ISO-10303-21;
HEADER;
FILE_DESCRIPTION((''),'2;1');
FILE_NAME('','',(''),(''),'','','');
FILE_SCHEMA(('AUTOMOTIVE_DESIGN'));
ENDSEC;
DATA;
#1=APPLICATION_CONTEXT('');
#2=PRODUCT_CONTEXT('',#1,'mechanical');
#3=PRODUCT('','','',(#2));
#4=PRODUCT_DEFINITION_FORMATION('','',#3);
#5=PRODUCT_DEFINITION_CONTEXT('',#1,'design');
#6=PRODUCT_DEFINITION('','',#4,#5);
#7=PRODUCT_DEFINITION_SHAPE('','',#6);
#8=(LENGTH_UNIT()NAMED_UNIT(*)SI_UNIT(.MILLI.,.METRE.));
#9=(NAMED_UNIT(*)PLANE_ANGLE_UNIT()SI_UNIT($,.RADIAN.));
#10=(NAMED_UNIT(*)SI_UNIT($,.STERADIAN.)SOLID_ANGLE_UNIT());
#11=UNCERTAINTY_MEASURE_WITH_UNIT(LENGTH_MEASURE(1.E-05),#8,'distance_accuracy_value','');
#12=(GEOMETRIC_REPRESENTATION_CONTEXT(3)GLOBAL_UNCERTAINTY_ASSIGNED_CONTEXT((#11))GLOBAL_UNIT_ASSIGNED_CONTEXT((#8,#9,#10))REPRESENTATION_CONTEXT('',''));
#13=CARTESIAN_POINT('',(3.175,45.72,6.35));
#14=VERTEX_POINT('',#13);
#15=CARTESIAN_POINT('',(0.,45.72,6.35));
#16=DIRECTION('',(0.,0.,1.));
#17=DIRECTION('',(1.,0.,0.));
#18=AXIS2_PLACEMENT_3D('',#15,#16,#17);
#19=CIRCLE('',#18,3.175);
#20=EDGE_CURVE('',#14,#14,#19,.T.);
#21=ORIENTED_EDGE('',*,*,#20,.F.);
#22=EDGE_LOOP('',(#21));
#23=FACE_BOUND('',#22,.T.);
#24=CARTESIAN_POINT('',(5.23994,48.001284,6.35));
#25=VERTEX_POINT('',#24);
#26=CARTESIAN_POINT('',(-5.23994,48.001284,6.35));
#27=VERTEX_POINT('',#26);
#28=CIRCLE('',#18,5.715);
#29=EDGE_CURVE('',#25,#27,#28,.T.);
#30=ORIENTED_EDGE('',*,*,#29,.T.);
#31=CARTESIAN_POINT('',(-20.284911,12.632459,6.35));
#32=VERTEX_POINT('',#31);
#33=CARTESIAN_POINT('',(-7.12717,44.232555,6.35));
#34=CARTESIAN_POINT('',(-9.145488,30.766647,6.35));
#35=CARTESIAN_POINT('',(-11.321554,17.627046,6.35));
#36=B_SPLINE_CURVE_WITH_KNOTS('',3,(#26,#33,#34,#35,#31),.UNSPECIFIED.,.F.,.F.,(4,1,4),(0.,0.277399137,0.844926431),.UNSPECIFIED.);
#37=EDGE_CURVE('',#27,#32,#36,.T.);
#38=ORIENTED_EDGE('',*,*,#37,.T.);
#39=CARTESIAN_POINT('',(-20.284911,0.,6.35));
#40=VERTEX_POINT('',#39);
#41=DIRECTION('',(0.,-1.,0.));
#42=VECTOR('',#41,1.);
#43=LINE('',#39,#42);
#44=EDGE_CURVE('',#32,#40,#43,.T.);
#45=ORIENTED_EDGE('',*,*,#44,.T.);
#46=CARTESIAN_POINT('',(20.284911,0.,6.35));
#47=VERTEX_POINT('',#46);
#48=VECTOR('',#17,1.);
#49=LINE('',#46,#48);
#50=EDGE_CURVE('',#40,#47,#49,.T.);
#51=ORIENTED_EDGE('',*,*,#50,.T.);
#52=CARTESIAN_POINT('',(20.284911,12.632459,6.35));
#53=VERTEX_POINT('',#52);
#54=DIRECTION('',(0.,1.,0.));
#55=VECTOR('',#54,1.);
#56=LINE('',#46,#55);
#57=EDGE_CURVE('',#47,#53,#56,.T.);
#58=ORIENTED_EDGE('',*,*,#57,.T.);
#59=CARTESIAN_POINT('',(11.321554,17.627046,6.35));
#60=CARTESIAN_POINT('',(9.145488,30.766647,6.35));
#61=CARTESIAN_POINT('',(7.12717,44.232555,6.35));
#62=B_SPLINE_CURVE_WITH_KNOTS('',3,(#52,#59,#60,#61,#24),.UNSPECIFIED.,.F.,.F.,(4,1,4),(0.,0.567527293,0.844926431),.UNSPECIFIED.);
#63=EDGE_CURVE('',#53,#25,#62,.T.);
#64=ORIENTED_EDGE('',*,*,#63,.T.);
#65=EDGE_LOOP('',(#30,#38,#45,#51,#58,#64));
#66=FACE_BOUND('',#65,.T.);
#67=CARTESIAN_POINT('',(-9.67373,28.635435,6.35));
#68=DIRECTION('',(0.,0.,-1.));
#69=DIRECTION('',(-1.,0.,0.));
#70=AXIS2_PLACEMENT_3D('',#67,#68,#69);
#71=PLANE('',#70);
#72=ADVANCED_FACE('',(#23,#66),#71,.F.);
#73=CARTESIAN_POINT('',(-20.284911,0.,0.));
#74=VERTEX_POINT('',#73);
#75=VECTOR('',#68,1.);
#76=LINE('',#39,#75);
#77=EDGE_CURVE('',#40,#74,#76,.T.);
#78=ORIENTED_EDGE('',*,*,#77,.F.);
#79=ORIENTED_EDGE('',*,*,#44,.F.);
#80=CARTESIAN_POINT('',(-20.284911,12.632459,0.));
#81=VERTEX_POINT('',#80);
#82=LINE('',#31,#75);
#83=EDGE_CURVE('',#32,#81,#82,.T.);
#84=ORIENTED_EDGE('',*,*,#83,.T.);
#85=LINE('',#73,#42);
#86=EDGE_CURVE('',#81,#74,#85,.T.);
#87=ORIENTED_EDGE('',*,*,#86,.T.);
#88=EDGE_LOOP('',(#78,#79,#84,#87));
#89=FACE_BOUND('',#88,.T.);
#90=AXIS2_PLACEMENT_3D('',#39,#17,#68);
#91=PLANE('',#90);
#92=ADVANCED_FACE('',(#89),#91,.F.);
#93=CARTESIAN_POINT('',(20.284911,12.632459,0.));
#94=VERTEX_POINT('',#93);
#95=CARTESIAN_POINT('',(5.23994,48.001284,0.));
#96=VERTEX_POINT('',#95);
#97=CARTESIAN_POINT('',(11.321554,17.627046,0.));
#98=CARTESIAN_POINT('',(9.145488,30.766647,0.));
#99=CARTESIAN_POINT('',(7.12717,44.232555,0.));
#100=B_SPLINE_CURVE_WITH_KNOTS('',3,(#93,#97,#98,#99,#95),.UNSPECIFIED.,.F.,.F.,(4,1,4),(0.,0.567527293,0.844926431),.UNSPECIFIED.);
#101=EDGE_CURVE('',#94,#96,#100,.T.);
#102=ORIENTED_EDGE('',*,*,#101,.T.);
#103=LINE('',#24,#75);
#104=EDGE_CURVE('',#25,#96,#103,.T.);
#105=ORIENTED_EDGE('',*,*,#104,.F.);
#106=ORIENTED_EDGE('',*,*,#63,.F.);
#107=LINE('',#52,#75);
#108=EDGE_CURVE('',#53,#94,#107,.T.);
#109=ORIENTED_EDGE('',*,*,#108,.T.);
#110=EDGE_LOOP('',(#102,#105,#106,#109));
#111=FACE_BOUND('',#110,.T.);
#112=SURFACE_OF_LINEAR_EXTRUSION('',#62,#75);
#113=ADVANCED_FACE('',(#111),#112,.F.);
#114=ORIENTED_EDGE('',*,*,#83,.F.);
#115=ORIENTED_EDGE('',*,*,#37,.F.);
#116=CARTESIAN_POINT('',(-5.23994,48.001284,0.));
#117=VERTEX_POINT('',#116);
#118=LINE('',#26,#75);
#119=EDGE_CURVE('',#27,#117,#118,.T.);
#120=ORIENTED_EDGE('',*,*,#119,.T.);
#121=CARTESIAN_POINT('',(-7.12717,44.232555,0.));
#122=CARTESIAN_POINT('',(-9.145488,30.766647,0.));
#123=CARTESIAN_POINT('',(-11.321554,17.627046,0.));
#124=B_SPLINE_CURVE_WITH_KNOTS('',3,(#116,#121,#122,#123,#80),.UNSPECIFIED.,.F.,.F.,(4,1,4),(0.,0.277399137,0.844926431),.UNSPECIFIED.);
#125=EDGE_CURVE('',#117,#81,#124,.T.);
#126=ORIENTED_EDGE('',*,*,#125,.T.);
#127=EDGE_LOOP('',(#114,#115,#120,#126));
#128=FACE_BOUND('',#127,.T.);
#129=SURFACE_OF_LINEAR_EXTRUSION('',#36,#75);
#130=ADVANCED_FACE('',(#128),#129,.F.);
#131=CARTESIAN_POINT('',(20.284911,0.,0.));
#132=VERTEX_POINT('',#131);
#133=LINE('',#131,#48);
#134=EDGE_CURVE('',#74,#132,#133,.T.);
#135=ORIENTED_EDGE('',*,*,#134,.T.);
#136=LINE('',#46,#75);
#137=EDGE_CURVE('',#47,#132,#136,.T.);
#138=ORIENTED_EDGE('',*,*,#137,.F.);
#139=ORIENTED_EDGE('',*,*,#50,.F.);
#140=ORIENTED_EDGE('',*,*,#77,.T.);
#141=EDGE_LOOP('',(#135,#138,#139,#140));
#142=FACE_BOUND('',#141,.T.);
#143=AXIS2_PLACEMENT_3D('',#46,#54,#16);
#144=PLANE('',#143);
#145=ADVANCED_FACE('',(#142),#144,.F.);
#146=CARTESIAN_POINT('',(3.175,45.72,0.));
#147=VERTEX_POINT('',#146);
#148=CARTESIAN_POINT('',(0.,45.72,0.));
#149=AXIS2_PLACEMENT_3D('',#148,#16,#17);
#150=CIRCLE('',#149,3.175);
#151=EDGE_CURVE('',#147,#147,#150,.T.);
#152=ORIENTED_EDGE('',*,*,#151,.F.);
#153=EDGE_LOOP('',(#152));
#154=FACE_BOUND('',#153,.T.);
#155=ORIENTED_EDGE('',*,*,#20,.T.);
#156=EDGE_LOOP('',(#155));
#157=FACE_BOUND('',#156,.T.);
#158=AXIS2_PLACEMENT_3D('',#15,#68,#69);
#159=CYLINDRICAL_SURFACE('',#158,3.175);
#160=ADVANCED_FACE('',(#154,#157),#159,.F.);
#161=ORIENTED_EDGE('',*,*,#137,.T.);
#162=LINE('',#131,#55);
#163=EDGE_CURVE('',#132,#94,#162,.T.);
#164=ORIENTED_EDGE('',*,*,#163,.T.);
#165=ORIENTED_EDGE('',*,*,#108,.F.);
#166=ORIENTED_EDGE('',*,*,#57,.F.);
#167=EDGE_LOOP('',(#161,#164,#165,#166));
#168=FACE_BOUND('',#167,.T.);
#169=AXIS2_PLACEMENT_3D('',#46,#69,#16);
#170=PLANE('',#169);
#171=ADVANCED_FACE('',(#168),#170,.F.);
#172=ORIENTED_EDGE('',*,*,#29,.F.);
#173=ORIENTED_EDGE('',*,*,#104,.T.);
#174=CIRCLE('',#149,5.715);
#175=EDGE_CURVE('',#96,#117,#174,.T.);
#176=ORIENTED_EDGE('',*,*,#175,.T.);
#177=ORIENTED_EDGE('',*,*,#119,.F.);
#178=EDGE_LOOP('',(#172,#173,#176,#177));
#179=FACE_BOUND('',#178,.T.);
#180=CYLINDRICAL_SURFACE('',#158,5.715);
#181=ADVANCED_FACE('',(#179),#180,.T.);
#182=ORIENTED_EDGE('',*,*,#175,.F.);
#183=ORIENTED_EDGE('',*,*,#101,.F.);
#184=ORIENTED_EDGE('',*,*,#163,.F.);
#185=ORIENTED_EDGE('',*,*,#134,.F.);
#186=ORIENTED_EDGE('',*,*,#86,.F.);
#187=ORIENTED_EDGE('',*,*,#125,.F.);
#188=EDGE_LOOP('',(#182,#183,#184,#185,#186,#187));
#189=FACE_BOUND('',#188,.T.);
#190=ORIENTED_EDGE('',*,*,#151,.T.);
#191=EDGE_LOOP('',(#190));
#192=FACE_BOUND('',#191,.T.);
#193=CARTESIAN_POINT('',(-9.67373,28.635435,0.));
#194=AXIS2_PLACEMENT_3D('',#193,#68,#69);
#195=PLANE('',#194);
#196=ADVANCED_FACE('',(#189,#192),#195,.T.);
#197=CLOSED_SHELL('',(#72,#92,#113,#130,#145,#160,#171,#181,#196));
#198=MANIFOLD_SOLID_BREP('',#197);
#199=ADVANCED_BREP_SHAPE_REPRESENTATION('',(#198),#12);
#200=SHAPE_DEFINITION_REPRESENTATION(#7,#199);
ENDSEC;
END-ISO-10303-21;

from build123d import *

# Parameters (mm, degrees)
SKETCH1_R           = 3.175
BOSS_EXTRUDE1_DEPTH = 6.35


with BuildPart() as part:
    # Sketch1 → Boss-Extrude1 (new body)
    with BuildSketch(Plane.XY):
        with BuildLine():
            Line((20.284910643, 0), (20.284910643, 12.632459137))
            add(Edge.make_bspline(
                [(20.284910643, 12.632459137), (11.321554309, 17.627045812), (9.14548831, 30.766646824), (7.127170197, 44.232555484), (5.239939742, 48.001283958)],
                knots=[0, 0, 0, 0, 0.567527293, 0.844926431, 0.844926431, 0.844926431, 0.844926431], degree=3))
            ThreePointArc((5.239939742, 48.001283958), (0, 51.435), (-5.239939742, 48.001283958))
            add(Edge.make_bspline(
                [(-20.284910643, 12.632459137), (-11.321554309, 17.627045812), (-9.14548831, 30.766646824), (-7.127170197, 44.232555484), (-5.239939742, 48.001283958)],
                knots=[0, 0, 0, 0, 0.567527293, 0.844926431, 0.844926431, 0.844926431, 0.844926431], degree=3))
            Line((-20.284910643, 12.632459137), (-20.284910643, 0))
            Line((-20.284910643, 0), (20.284910643, 0))
        make_face()
        with Locations((0, 45.72)):
            Circle(SKETCH1_R, mode=Mode.SUBTRACT)
    extrude(amount=BOSS_EXTRUDE1_DEPTH)


solid = part.part
